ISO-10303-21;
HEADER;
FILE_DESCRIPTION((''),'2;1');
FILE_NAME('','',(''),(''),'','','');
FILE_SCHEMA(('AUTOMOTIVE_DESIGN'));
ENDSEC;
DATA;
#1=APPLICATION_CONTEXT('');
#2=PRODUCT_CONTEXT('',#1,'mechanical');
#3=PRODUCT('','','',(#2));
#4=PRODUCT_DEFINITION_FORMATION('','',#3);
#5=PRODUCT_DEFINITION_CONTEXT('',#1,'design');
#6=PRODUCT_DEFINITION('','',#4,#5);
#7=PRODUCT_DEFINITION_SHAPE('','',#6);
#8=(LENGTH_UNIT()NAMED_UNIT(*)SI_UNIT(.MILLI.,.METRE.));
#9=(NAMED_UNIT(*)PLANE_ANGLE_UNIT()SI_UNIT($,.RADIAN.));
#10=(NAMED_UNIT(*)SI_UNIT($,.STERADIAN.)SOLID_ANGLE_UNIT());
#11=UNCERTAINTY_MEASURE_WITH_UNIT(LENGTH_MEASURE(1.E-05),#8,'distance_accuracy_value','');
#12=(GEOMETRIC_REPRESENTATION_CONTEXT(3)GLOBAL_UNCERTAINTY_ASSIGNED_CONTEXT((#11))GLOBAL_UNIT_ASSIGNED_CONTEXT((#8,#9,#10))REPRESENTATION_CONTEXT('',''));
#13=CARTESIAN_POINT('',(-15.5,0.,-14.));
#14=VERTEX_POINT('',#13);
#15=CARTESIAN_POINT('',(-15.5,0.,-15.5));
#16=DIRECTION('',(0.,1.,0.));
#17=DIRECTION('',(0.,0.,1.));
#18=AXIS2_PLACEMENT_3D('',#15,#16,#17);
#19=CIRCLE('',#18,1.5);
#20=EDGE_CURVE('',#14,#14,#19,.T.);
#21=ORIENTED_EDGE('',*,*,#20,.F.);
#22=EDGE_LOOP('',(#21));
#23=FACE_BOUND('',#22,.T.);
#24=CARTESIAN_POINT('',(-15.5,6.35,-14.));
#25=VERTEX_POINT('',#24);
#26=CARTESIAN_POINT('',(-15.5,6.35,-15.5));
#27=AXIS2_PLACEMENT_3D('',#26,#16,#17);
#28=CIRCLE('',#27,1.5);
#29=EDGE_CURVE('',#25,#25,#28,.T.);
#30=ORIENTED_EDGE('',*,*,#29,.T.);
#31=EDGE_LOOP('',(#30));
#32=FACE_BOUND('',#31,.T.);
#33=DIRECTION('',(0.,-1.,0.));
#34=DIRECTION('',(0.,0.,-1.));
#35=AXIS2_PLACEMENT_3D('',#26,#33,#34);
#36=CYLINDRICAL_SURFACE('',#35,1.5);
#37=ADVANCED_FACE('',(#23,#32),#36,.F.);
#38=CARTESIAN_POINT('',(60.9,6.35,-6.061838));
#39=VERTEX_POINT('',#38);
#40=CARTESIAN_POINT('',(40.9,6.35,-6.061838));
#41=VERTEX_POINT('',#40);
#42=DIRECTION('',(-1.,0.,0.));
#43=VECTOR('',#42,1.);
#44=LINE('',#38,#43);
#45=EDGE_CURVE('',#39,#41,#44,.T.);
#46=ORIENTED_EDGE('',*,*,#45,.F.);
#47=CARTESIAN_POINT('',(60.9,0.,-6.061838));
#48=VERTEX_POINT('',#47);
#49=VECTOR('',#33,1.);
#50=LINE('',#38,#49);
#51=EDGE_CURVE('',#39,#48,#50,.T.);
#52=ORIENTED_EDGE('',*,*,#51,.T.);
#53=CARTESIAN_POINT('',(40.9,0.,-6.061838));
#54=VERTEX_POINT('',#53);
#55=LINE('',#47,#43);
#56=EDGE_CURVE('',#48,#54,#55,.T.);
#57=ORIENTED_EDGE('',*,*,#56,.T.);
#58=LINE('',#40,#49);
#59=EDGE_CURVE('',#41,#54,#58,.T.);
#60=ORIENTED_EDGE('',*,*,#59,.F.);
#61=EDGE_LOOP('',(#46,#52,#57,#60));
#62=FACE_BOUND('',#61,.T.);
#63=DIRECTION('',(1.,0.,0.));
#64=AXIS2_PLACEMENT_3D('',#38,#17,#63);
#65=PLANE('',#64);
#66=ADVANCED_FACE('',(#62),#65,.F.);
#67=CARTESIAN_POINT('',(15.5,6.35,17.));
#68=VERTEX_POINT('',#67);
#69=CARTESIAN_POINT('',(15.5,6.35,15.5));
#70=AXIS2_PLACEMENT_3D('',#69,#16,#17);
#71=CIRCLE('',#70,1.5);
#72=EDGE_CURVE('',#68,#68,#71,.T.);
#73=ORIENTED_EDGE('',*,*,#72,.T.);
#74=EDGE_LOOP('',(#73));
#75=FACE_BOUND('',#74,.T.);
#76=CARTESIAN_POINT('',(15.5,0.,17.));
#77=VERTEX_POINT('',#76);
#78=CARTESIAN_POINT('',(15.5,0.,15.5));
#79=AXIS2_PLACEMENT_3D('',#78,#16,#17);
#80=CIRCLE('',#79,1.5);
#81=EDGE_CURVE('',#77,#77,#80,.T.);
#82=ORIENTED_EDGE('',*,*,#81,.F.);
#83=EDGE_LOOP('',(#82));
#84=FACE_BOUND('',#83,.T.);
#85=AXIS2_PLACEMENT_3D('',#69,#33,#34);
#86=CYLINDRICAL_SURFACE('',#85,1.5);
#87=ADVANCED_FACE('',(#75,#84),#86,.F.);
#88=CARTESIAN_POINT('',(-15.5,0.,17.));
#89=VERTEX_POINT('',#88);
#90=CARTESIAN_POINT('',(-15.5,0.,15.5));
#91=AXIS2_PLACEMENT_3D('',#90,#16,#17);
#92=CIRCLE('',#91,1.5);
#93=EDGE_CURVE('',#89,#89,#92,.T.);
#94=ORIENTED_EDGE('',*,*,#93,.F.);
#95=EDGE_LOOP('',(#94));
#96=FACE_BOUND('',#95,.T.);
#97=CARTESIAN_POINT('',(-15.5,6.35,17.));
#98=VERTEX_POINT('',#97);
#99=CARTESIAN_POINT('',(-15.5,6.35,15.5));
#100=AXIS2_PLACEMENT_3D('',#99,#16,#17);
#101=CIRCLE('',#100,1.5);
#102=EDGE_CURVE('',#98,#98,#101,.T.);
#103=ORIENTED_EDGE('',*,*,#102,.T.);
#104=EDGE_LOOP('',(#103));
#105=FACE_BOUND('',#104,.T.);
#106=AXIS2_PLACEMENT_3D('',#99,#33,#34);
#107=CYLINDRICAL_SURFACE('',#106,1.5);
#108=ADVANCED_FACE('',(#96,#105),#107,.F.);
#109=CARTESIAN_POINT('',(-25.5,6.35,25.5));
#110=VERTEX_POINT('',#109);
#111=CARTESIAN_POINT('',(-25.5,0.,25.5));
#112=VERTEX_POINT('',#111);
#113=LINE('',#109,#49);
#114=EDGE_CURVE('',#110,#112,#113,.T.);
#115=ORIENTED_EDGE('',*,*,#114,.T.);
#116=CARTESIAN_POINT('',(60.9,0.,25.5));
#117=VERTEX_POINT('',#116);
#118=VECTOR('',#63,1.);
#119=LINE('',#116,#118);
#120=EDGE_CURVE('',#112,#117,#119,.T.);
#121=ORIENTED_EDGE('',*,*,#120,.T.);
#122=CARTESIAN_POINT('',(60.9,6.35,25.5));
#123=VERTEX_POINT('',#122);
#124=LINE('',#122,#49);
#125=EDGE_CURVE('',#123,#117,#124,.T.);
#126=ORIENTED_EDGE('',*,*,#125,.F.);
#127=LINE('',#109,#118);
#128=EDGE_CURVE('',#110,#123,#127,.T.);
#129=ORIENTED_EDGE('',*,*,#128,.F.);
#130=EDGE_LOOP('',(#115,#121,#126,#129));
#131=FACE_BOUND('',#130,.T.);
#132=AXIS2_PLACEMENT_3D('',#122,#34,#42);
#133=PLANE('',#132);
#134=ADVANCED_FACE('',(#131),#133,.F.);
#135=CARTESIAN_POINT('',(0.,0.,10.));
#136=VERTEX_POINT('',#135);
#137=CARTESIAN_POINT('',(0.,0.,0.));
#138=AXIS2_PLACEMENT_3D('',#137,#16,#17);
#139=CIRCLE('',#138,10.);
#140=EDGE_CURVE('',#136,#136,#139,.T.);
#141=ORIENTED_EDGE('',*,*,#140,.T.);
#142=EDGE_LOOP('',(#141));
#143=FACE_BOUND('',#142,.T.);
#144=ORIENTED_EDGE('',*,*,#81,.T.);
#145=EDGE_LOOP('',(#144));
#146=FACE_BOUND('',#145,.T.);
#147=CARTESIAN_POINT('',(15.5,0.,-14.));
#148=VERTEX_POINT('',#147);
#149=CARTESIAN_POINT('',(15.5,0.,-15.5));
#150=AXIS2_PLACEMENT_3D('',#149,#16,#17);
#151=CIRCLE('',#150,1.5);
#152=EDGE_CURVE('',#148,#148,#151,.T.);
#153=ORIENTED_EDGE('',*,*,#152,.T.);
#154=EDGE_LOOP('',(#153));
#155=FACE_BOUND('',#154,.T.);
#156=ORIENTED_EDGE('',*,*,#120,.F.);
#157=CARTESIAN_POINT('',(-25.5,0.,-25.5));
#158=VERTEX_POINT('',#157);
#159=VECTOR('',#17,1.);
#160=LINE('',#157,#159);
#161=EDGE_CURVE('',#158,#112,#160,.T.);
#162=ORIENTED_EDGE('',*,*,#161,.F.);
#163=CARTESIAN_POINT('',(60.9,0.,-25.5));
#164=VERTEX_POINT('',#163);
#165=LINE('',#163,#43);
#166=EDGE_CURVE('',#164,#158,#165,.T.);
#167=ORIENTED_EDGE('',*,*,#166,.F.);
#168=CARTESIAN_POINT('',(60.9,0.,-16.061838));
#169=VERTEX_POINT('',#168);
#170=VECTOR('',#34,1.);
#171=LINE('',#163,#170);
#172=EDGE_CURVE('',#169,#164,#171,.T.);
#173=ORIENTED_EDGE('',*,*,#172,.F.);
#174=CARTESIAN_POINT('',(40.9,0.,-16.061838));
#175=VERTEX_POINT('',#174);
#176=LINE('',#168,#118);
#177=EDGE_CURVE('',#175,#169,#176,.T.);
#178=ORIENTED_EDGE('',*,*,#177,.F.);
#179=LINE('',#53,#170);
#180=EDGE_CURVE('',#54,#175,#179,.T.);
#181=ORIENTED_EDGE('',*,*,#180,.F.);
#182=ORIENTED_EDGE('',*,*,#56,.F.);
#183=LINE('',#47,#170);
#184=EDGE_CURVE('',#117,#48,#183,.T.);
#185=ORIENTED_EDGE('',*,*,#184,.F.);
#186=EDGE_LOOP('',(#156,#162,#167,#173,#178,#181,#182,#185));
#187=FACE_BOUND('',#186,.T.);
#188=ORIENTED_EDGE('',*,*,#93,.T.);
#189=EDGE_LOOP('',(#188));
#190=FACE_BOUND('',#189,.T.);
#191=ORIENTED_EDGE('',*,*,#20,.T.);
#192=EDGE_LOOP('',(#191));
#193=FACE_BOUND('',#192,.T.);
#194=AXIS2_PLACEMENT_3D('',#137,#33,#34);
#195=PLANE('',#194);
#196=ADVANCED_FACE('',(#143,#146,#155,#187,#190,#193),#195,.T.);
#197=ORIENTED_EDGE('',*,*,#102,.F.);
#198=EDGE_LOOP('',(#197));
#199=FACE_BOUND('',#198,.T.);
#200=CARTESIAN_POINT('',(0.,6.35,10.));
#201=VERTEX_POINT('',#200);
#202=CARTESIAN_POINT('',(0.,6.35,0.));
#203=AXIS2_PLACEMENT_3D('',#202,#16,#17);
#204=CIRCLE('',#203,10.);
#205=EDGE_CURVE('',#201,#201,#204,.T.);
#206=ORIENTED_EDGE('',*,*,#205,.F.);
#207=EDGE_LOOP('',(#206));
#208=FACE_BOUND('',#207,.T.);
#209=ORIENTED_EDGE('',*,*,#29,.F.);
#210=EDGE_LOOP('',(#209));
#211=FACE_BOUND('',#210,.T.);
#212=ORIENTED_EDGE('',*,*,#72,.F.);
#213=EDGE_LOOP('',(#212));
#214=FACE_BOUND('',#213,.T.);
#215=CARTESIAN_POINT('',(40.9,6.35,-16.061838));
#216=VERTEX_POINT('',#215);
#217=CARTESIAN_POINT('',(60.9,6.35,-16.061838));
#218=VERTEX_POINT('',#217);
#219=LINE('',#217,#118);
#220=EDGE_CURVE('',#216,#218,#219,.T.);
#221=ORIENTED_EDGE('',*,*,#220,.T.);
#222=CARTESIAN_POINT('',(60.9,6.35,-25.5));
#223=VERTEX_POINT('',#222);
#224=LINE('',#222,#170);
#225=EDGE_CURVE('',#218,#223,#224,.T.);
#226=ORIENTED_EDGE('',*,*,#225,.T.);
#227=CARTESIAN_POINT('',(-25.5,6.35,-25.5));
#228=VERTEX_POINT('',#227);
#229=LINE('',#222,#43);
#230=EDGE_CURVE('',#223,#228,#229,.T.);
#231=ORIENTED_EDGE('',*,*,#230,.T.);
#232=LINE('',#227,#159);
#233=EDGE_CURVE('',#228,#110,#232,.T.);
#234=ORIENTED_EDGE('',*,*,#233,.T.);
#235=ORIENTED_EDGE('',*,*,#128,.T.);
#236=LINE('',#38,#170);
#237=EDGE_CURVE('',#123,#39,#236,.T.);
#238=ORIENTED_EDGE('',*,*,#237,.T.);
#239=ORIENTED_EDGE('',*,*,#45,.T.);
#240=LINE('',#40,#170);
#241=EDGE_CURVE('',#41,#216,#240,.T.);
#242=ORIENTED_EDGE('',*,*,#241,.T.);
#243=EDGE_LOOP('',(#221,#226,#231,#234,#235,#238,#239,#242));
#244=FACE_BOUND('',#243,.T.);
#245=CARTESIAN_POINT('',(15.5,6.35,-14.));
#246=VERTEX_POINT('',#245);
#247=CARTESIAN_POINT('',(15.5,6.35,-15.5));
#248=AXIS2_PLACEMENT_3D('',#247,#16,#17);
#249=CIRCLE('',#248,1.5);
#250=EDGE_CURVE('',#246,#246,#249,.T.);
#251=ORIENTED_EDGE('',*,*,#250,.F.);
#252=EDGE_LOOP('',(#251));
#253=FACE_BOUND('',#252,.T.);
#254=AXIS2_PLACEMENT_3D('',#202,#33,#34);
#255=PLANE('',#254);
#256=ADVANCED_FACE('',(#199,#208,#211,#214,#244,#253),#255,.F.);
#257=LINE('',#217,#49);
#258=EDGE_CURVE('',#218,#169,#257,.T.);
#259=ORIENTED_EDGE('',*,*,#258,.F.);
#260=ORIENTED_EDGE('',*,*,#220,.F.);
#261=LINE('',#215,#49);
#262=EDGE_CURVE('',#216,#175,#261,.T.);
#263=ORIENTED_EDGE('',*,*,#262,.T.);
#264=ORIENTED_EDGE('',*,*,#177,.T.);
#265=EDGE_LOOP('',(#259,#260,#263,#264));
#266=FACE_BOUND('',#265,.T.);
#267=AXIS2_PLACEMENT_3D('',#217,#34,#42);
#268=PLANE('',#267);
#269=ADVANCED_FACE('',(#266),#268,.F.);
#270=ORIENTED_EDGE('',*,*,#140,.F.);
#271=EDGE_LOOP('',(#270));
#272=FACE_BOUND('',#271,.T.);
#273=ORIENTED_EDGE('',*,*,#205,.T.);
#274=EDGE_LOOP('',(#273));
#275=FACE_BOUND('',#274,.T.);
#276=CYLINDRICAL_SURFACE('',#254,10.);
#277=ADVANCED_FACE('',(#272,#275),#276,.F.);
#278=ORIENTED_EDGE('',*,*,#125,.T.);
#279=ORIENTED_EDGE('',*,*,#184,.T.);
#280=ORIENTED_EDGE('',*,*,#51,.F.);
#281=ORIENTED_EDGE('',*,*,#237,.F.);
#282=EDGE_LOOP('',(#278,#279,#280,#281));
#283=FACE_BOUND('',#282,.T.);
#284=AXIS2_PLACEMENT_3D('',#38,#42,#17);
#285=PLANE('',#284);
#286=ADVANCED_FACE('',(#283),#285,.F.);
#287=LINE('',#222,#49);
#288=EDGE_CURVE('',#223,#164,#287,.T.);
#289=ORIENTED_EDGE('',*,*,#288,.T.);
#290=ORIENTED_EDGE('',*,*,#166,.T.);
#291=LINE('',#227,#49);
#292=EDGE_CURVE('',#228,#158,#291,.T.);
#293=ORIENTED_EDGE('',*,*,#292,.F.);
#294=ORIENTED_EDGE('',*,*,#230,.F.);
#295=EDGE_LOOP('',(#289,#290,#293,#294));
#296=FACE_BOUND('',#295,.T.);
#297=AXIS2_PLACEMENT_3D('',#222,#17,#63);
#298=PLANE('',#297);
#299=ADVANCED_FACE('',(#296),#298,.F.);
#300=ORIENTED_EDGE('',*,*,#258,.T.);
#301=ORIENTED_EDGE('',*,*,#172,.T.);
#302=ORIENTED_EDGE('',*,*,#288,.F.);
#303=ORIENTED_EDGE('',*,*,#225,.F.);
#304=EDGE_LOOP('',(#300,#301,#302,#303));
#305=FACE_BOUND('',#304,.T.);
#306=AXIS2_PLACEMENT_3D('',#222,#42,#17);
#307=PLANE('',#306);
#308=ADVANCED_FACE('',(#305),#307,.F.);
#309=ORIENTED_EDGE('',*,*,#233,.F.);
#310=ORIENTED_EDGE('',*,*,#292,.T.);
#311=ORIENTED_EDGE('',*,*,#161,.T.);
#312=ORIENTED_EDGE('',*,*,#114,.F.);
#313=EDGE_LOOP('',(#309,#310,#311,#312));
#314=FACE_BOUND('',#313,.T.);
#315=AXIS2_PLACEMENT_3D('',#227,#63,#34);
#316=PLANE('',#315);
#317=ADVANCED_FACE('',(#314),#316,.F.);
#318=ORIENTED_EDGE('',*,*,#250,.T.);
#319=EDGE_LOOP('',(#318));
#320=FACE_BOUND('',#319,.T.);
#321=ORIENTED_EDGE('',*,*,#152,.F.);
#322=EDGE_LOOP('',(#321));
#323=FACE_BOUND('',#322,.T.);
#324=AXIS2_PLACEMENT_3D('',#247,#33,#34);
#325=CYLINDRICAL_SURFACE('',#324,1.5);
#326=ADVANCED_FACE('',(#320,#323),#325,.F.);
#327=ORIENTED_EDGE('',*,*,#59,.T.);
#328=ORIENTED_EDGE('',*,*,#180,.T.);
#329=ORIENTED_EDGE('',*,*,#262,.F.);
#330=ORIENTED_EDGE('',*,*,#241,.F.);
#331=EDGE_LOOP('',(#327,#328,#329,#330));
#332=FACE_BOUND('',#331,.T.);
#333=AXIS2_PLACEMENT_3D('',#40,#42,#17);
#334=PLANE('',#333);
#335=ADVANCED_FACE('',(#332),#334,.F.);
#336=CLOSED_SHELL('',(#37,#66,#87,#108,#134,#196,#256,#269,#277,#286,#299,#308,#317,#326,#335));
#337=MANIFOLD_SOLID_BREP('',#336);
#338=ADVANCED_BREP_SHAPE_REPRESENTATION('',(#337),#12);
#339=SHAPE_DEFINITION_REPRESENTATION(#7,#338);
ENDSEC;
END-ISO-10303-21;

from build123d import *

# Parameters (mm, degrees)
SKETCH1_R           = 1.5
SKETCH1_R_2         = 10
BOSS_EXTRUDE1_DEPTH = 6.35


with BuildPart() as part:
    # Sketch1 → Boss-Extrude1 (new body)
    with BuildSketch(Plane(origin=(0, 0, 0), x_dir=(1, 0, 0), z_dir=(0, 1, 0))):
        Polygon((-25.5, 25.5), (-25.5, -25.5), (50.9, -25.5), (60.9, -25.5), (60.9, 6.061838244), (40.9, 6.061838244), (40.9, 16.061838244), (60.9, 16.061838244), (60.9, 25.5), align=None)
        with Locations((-15.5, 15.5)):
            Circle(SKETCH1_R, mode=Mode.SUBTRACT)
        with Locations((15.5, 15.5)):
            Circle(SKETCH1_R, mode=Mode.SUBTRACT)
        with Locations((15.5, -15.5)):
            Circle(SKETCH1_R, mode=Mode.SUBTRACT)
        with Locations((-15.5, -15.5)):
            Circle(SKETCH1_R, mode=Mode.SUBTRACT)
        Circle(SKETCH1_R_2, mode=Mode.SUBTRACT)
    extrude(amount=BOSS_EXTRUDE1_DEPTH)


solid = part.part
